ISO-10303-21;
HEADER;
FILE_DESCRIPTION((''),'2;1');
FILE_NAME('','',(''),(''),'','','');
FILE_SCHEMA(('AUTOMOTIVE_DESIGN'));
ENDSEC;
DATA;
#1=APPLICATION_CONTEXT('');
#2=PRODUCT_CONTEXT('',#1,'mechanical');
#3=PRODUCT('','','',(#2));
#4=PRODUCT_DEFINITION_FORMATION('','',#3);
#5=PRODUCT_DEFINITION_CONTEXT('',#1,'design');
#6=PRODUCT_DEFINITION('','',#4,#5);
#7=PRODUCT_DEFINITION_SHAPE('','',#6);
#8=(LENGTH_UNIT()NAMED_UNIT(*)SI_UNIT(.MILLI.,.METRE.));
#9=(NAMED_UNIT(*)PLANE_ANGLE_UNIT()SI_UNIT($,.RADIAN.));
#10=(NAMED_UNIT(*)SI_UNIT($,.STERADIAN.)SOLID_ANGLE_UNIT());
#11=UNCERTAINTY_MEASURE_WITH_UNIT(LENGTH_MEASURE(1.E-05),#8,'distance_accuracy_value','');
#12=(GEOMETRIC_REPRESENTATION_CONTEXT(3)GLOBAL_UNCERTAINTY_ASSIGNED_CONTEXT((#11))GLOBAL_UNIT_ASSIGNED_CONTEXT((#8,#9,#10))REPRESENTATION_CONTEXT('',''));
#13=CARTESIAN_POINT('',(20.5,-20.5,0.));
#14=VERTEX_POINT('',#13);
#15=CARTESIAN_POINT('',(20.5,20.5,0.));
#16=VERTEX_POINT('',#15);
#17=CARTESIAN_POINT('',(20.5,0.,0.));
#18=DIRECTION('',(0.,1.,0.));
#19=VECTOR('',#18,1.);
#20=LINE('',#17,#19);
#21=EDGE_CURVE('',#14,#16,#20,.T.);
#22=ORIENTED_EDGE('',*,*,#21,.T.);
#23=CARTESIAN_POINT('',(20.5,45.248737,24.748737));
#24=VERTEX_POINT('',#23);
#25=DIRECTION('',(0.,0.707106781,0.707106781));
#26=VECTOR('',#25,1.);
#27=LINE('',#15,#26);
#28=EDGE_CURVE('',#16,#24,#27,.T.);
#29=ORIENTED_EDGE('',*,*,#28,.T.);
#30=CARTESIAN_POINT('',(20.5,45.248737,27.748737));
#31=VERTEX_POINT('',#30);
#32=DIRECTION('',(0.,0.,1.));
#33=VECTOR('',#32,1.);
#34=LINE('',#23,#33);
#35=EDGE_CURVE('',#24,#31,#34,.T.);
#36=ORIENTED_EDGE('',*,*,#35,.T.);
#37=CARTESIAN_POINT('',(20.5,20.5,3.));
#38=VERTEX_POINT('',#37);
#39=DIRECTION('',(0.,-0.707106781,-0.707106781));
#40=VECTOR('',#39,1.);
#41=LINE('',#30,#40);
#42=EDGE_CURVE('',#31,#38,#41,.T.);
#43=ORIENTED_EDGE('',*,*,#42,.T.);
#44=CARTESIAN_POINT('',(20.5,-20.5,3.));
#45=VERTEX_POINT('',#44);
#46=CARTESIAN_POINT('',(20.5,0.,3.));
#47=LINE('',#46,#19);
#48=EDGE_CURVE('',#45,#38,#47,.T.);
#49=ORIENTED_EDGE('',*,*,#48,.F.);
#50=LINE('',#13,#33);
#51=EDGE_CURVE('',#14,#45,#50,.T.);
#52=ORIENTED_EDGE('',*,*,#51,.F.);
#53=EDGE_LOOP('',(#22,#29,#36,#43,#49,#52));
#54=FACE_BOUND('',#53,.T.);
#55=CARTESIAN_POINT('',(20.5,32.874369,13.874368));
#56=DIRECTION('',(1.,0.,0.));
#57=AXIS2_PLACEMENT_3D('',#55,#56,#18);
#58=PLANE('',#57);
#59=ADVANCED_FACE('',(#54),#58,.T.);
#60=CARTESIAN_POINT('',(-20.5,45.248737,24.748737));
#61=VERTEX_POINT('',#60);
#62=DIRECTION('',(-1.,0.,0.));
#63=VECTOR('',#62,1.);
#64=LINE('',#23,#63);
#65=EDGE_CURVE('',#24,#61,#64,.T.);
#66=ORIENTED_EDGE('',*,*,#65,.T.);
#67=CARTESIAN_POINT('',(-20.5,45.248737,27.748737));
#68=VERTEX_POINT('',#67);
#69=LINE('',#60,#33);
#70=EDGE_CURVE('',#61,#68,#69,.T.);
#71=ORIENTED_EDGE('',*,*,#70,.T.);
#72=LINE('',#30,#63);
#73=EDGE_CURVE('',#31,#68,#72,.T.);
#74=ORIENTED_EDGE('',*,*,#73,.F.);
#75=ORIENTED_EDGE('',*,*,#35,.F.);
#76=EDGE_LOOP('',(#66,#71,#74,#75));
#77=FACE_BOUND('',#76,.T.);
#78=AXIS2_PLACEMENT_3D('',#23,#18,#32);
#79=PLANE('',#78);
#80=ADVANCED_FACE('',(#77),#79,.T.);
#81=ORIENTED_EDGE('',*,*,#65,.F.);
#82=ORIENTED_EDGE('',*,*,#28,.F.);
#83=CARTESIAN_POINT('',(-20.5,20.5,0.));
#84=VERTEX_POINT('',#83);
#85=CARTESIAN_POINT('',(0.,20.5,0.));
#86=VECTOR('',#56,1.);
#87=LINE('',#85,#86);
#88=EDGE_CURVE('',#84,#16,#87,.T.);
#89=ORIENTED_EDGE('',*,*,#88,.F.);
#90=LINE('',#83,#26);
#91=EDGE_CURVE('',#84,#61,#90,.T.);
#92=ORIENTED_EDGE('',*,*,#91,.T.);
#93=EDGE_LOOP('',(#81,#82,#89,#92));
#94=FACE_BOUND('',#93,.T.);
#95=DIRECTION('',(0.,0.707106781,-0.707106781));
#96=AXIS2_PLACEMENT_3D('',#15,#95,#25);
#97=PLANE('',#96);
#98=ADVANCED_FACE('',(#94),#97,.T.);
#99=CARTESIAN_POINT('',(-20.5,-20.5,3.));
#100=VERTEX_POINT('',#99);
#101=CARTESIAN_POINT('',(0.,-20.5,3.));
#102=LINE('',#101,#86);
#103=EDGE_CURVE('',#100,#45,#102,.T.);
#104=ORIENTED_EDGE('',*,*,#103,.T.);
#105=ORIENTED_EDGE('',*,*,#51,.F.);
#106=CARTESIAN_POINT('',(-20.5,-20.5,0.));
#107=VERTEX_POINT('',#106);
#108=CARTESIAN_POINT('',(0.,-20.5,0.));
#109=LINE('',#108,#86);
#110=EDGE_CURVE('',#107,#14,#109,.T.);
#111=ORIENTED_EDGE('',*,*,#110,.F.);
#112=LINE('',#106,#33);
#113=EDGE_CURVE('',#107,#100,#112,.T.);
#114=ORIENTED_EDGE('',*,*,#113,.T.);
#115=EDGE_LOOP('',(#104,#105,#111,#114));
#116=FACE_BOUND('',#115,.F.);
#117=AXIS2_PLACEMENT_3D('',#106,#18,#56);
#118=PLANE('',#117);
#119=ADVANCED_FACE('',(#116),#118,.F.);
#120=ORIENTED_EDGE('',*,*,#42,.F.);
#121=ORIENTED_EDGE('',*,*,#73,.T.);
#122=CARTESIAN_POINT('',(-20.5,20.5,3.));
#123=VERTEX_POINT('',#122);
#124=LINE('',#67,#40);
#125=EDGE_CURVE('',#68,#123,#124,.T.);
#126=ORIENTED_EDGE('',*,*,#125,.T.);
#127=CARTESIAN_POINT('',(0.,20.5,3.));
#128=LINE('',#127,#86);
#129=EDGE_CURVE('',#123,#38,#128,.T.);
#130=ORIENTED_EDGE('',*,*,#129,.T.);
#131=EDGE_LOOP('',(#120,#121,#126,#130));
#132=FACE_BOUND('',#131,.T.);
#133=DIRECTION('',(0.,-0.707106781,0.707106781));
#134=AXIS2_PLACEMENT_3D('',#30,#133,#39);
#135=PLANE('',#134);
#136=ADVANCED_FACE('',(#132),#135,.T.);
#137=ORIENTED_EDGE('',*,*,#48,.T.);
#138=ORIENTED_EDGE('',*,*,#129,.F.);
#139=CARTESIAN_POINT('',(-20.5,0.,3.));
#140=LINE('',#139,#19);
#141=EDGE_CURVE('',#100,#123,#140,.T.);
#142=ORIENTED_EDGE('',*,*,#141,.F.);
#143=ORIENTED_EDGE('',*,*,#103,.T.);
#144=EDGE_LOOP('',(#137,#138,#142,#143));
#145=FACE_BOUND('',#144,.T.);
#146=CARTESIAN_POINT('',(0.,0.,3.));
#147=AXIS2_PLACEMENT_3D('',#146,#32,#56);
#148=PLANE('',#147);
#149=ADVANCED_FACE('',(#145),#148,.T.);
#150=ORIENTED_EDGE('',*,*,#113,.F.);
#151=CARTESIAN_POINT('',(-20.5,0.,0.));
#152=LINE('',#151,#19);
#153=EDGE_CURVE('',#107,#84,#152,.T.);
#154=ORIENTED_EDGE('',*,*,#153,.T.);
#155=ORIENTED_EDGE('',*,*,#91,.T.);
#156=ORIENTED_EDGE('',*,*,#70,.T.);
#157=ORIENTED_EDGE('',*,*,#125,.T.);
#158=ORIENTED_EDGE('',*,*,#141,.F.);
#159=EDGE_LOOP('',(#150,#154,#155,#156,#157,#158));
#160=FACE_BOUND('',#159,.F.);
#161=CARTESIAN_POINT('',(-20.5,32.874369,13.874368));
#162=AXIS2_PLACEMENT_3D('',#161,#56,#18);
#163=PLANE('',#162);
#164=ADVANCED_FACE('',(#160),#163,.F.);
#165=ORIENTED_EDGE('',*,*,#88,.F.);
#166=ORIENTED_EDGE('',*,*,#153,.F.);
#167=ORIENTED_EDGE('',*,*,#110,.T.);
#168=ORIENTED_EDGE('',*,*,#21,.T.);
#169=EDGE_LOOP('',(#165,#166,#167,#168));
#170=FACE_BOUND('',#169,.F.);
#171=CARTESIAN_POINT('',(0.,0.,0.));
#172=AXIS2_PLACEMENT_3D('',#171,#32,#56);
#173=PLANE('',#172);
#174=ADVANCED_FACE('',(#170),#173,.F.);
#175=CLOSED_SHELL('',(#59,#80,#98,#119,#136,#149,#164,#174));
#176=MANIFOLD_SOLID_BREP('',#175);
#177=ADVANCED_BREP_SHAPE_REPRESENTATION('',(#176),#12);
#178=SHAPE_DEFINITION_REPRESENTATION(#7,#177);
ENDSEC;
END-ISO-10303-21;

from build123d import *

# Parameters (mm, degrees)
F0_W     = 41
F0_H     = 41
F0_W_2   = 31
F0_H_2   = 31
F1_DEPTH = 3
F2_DEPTH = 41


with BuildPart() as f1:
    # F0 (on Top) → F1 (new body)
    with BuildSketch(Plane.XY):
        Rectangle(F0_W, F0_H)
        Rectangle(F0_W_2, F0_H_2, mode=Mode.SUBTRACT)
        Rectangle(F0_W_2, F0_H_2)
    extrude(amount=F1_DEPTH)

    # F3 (on face) → F2 (join)
    with BuildSketch(Plane.YZ.offset(20.5)):
        Polygon((20.5, 3), (20.5, 0), (45.248737, 24.748737), (45.248737, 27.748737), align=None)
    extrude(amount=-F2_DEPTH)


solid = f1.part
